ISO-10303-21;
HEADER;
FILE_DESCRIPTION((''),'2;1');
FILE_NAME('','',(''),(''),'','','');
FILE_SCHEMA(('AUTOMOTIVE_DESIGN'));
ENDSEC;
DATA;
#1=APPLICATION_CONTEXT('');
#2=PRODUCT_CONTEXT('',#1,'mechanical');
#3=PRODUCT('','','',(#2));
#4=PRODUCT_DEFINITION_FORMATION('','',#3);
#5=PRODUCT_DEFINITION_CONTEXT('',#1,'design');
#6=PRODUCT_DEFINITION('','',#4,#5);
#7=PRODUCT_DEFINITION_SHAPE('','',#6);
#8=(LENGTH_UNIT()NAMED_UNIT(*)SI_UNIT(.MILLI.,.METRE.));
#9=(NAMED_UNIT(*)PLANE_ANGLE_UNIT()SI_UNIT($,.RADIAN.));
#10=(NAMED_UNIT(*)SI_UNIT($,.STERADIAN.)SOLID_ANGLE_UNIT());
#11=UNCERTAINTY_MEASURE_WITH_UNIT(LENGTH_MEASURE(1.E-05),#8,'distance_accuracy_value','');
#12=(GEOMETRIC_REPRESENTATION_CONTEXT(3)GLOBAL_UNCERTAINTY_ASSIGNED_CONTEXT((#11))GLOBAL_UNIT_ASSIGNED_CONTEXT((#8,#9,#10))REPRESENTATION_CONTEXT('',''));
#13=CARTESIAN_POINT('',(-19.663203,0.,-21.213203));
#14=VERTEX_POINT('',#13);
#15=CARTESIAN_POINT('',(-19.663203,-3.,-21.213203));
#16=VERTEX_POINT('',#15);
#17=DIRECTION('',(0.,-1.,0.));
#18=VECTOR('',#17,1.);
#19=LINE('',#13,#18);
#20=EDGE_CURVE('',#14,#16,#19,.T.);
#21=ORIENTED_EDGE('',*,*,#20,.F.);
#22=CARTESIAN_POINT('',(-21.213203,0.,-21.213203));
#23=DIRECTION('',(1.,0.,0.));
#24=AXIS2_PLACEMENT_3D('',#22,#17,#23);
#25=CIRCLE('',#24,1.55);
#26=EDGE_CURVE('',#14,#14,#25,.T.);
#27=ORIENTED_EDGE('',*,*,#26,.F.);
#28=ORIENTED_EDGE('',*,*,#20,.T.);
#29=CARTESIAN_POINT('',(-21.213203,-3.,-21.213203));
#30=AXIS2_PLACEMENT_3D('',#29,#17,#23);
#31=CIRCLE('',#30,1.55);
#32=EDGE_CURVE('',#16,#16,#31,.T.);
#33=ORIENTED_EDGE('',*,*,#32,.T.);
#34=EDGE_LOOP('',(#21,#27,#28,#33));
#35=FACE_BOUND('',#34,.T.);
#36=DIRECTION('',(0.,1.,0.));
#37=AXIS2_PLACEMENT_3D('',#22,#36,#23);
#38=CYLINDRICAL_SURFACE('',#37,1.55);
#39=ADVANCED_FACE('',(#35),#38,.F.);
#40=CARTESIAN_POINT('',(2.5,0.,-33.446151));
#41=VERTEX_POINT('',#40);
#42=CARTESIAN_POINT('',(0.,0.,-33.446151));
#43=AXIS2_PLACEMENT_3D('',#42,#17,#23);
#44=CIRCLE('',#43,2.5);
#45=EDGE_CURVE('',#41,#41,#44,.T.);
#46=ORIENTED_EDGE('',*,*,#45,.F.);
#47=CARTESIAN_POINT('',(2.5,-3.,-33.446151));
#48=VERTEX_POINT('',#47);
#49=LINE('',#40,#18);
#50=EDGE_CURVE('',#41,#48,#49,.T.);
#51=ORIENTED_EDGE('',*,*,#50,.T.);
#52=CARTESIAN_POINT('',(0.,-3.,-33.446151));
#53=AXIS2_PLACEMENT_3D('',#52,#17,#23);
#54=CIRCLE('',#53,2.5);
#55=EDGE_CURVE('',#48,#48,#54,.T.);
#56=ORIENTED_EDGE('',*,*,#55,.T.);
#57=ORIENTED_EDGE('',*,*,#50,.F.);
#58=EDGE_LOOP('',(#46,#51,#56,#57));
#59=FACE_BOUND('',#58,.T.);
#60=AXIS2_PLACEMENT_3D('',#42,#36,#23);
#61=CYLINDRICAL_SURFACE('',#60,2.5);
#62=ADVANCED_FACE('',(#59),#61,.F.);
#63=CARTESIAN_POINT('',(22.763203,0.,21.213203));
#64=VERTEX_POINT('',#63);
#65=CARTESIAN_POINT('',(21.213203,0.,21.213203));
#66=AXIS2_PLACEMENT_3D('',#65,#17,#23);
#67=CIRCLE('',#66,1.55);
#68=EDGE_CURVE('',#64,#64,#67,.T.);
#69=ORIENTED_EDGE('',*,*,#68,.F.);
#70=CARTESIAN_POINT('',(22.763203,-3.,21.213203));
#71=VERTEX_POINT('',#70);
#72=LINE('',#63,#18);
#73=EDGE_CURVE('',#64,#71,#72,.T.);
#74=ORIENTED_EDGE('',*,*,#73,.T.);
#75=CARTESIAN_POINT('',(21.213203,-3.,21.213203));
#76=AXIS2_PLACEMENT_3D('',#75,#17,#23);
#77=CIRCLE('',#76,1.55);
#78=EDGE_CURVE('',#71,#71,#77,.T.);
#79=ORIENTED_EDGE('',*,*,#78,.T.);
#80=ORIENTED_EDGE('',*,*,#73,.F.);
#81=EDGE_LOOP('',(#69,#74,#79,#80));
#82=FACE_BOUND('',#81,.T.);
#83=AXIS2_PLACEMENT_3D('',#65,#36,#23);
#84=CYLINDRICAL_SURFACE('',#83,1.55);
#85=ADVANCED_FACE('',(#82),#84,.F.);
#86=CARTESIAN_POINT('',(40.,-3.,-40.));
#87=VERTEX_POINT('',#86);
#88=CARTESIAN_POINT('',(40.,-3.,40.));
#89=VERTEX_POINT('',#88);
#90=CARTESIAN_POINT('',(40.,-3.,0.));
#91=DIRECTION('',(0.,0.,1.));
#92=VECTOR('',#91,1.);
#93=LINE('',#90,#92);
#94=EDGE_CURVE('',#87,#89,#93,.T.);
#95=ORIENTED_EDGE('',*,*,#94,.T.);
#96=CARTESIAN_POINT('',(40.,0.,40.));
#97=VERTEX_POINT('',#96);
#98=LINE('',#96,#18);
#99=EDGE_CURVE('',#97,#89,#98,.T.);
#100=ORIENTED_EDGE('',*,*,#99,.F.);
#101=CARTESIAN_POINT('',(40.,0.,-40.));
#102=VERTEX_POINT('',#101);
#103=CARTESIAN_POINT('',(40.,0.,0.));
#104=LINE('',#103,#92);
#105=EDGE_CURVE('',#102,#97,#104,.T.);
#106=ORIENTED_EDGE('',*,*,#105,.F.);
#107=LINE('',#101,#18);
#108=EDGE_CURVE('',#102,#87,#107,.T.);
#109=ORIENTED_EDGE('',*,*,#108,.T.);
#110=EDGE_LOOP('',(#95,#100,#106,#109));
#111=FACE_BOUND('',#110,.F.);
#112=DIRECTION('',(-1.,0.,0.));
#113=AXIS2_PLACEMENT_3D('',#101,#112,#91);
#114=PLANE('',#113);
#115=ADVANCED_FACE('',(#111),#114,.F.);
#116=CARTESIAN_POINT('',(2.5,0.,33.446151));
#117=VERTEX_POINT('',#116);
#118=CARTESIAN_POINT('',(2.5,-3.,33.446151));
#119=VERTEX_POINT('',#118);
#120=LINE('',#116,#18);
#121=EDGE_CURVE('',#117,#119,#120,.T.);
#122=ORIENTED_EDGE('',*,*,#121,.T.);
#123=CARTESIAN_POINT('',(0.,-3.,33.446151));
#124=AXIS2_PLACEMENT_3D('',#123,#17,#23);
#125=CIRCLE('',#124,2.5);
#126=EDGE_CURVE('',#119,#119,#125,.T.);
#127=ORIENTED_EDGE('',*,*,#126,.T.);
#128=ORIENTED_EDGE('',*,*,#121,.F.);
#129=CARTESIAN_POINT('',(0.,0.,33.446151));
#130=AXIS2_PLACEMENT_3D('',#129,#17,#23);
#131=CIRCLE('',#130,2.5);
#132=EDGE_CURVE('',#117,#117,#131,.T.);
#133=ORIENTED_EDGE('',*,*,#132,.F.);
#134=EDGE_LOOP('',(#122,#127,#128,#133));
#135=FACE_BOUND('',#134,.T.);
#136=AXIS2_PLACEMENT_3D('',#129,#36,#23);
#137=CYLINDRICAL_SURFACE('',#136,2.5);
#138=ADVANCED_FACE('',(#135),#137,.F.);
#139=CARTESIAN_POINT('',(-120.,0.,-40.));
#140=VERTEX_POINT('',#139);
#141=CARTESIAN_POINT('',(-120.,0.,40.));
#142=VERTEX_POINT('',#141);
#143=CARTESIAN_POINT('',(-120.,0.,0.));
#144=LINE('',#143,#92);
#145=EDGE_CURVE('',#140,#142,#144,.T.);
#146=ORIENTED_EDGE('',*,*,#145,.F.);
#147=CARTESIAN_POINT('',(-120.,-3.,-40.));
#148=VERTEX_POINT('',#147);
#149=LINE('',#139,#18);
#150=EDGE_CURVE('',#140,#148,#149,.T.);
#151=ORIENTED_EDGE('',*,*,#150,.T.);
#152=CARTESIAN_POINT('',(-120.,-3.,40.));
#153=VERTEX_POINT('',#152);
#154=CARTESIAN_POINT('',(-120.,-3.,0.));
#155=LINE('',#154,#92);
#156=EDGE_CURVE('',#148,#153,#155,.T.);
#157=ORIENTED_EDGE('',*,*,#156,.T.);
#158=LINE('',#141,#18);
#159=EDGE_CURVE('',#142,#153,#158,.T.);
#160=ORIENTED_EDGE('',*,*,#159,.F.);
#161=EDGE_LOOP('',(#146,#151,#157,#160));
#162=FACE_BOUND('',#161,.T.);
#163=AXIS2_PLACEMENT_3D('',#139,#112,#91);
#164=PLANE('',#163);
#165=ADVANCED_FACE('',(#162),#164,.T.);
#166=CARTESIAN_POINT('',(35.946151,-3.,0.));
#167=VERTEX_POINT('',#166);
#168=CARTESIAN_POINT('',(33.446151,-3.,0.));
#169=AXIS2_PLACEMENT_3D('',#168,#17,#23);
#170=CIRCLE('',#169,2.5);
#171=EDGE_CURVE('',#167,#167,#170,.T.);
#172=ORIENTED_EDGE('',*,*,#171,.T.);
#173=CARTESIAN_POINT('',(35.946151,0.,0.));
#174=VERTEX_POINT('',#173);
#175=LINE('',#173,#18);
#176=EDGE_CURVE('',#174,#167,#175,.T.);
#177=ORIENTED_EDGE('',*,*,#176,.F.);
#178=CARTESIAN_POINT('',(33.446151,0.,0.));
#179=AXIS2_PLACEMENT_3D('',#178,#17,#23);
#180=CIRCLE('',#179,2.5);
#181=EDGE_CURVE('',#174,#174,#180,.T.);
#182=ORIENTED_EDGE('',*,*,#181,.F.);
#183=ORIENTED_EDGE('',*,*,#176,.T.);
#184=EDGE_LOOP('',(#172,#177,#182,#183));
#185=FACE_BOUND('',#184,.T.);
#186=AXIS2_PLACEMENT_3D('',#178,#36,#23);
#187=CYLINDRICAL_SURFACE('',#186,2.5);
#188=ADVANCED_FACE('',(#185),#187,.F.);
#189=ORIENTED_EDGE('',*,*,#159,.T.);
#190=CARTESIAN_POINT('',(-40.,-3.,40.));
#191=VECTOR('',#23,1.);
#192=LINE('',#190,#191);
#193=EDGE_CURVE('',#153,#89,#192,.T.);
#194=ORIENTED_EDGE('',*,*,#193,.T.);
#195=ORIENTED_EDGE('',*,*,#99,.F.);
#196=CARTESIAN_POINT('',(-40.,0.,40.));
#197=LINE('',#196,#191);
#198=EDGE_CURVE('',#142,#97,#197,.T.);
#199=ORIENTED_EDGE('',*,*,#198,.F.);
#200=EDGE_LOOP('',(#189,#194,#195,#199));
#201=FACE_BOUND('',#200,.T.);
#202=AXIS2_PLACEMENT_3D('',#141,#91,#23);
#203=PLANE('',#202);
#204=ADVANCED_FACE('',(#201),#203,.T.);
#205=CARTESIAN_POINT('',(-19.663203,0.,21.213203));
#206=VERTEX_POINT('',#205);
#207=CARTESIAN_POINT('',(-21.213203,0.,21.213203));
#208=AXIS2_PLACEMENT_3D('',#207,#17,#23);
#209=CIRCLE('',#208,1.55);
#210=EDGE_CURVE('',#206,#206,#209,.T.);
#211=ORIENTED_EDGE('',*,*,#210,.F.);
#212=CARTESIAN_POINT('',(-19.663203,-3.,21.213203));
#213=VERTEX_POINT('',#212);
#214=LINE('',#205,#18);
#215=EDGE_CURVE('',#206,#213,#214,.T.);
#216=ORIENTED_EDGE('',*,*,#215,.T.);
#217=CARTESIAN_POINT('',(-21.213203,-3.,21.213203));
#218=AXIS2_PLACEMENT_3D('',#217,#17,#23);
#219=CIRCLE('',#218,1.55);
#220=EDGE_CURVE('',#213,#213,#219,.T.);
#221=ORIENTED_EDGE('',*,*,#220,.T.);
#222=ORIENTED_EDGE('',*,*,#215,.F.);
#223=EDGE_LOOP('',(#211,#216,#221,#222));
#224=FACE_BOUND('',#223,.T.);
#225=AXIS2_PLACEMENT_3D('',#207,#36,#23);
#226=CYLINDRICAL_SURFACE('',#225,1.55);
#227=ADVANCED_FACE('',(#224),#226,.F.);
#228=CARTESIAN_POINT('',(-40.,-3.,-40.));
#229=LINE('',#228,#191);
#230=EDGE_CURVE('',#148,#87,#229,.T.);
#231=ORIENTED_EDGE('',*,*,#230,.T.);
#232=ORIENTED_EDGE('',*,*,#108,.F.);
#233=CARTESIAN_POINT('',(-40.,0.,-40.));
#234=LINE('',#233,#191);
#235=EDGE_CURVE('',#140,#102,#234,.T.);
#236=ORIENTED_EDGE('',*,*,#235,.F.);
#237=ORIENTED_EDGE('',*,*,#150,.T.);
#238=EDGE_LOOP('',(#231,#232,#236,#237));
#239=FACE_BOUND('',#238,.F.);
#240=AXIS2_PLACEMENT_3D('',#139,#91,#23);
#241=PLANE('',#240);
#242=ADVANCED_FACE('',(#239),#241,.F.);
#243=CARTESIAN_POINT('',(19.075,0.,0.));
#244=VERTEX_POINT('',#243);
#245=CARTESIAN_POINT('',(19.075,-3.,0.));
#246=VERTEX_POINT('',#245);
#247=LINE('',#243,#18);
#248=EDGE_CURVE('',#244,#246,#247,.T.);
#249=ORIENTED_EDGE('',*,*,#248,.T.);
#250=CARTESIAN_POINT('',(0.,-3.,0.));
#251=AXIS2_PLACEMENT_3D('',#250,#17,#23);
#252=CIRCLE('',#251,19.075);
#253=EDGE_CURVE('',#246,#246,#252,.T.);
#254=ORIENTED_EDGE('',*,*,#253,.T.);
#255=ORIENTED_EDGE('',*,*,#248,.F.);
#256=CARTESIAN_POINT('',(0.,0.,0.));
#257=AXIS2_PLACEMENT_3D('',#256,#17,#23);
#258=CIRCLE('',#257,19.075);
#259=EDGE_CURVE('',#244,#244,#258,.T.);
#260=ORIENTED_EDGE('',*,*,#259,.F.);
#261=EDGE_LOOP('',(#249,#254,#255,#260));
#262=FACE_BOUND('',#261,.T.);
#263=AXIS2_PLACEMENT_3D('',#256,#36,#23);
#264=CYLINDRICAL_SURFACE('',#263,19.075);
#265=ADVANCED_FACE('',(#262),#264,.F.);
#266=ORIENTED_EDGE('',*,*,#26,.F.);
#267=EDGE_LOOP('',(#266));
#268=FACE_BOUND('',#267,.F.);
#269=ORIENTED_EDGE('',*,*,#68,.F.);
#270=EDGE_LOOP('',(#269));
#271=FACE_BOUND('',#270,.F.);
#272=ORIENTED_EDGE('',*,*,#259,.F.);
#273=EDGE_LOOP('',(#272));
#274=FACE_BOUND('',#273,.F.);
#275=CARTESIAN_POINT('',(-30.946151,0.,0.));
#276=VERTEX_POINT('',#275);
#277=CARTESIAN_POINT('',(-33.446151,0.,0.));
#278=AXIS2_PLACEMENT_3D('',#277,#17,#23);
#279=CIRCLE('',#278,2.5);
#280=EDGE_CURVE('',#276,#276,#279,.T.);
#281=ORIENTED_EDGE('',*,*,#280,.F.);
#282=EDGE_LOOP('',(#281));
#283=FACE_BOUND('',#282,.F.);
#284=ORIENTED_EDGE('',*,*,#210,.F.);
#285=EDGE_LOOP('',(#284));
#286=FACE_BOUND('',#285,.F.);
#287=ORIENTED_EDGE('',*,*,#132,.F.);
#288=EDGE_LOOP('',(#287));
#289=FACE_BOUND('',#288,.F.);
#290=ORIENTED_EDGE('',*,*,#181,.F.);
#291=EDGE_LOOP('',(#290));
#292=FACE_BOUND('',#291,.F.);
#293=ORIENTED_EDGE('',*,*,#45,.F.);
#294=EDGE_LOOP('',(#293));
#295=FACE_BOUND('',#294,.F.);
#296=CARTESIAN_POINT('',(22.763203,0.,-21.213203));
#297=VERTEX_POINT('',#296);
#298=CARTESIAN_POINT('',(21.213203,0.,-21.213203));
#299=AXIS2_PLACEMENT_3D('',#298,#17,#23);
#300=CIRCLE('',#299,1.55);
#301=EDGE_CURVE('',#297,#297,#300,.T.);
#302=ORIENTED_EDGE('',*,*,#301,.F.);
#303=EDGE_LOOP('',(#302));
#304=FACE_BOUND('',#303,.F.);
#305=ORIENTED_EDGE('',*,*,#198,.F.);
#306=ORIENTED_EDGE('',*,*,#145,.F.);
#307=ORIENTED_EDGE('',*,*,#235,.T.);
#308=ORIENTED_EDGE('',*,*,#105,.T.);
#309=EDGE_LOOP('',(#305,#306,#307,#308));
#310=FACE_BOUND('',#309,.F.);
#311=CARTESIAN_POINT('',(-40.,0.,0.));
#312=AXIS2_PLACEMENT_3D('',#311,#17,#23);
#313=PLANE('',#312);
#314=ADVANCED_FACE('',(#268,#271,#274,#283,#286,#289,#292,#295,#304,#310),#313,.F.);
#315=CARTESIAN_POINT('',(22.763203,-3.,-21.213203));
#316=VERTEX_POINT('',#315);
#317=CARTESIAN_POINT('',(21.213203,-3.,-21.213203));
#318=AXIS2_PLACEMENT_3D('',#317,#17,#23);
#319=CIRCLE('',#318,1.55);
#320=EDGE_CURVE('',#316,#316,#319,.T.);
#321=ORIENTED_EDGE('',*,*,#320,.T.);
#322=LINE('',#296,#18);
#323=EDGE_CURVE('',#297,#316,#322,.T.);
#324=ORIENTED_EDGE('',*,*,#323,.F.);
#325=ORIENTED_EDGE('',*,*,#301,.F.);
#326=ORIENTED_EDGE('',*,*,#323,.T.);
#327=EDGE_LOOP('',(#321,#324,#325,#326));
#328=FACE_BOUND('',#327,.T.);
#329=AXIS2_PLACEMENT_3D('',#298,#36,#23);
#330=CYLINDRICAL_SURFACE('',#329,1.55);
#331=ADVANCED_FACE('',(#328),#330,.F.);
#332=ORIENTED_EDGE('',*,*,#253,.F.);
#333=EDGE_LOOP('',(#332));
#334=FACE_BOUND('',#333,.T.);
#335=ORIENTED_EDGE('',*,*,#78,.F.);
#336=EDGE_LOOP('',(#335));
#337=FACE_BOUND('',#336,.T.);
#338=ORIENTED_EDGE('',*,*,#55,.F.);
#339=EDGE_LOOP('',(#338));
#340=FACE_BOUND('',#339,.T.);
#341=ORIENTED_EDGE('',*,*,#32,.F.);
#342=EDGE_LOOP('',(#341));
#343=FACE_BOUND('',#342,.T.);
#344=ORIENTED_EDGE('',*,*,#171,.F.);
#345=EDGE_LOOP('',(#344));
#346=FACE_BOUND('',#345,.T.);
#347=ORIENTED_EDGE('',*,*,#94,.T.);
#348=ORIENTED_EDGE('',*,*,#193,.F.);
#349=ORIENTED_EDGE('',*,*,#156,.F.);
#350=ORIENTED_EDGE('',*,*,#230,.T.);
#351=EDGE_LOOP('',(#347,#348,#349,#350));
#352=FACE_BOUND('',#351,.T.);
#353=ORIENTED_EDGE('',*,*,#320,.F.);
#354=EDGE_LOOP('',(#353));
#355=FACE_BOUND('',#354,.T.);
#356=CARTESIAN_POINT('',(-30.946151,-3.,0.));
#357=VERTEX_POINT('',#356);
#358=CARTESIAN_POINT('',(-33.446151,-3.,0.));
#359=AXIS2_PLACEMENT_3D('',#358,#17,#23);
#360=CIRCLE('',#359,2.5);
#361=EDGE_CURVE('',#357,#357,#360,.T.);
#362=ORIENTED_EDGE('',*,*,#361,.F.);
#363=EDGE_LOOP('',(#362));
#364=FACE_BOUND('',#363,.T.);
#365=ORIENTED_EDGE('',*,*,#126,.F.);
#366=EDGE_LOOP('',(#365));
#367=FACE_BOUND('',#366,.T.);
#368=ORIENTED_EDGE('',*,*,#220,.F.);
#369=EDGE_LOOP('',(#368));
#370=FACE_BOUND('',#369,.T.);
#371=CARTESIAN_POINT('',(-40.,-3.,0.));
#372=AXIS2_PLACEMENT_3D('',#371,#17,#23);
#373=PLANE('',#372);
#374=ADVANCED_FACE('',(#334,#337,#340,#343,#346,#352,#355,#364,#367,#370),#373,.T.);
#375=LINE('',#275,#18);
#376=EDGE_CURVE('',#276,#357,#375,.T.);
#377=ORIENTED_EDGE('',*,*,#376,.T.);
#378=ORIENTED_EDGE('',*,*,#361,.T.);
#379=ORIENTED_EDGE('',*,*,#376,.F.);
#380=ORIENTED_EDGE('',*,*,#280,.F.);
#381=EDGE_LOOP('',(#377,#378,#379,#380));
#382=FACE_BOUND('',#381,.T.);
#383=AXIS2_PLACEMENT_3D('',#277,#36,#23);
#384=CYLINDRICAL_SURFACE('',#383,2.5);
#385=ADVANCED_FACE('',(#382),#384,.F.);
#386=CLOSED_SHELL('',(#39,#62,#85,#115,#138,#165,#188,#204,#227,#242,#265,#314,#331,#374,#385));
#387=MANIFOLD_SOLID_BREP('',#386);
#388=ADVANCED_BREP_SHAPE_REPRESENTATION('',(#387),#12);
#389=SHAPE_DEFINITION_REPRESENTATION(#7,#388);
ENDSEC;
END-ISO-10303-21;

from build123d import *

# Parameters (mm, degrees)
F0_W     = 160
F0_H     = 80
F0_R     = 1.55
F0_R_2   = 2.5
F0_R_3   = 19.075
F1_DEPTH = 3


with BuildPart() as f1:
    # F0 (on Front) → F1 (new body)
    with BuildSketch(Plane.XZ):
        with Locations((-40, 0)):
            Rectangle(F0_W, F0_H)
        with Locations((-21.213203, -21.213203)):
            Circle(F0_R, mode=Mode.SUBTRACT)
        with Locations((0, -33.446151)):
            Circle(F0_R_2, mode=Mode.SUBTRACT)
        with Locations((21.213203, -21.213203)):
            Circle(F0_R, mode=Mode.SUBTRACT)
        with Locations((-33.446151, 0)):
            Circle(F0_R_2, mode=Mode.SUBTRACT)
        Circle(F0_R_3, mode=Mode.SUBTRACT)
        with Locations((33.446151, 0)):
            Circle(F0_R_2, mode=Mode.SUBTRACT)
        with Locations((-21.213203, 21.213203)):
            Circle(F0_R, mode=Mode.SUBTRACT)
        with Locations((21.213203, 21.213203)):
            Circle(F0_R, mode=Mode.SUBTRACT)
        with Locations((0, 33.446151)):
            Circle(F0_R_2, mode=Mode.SUBTRACT)
    extrude(amount=F1_DEPTH)


solid = f1.part
